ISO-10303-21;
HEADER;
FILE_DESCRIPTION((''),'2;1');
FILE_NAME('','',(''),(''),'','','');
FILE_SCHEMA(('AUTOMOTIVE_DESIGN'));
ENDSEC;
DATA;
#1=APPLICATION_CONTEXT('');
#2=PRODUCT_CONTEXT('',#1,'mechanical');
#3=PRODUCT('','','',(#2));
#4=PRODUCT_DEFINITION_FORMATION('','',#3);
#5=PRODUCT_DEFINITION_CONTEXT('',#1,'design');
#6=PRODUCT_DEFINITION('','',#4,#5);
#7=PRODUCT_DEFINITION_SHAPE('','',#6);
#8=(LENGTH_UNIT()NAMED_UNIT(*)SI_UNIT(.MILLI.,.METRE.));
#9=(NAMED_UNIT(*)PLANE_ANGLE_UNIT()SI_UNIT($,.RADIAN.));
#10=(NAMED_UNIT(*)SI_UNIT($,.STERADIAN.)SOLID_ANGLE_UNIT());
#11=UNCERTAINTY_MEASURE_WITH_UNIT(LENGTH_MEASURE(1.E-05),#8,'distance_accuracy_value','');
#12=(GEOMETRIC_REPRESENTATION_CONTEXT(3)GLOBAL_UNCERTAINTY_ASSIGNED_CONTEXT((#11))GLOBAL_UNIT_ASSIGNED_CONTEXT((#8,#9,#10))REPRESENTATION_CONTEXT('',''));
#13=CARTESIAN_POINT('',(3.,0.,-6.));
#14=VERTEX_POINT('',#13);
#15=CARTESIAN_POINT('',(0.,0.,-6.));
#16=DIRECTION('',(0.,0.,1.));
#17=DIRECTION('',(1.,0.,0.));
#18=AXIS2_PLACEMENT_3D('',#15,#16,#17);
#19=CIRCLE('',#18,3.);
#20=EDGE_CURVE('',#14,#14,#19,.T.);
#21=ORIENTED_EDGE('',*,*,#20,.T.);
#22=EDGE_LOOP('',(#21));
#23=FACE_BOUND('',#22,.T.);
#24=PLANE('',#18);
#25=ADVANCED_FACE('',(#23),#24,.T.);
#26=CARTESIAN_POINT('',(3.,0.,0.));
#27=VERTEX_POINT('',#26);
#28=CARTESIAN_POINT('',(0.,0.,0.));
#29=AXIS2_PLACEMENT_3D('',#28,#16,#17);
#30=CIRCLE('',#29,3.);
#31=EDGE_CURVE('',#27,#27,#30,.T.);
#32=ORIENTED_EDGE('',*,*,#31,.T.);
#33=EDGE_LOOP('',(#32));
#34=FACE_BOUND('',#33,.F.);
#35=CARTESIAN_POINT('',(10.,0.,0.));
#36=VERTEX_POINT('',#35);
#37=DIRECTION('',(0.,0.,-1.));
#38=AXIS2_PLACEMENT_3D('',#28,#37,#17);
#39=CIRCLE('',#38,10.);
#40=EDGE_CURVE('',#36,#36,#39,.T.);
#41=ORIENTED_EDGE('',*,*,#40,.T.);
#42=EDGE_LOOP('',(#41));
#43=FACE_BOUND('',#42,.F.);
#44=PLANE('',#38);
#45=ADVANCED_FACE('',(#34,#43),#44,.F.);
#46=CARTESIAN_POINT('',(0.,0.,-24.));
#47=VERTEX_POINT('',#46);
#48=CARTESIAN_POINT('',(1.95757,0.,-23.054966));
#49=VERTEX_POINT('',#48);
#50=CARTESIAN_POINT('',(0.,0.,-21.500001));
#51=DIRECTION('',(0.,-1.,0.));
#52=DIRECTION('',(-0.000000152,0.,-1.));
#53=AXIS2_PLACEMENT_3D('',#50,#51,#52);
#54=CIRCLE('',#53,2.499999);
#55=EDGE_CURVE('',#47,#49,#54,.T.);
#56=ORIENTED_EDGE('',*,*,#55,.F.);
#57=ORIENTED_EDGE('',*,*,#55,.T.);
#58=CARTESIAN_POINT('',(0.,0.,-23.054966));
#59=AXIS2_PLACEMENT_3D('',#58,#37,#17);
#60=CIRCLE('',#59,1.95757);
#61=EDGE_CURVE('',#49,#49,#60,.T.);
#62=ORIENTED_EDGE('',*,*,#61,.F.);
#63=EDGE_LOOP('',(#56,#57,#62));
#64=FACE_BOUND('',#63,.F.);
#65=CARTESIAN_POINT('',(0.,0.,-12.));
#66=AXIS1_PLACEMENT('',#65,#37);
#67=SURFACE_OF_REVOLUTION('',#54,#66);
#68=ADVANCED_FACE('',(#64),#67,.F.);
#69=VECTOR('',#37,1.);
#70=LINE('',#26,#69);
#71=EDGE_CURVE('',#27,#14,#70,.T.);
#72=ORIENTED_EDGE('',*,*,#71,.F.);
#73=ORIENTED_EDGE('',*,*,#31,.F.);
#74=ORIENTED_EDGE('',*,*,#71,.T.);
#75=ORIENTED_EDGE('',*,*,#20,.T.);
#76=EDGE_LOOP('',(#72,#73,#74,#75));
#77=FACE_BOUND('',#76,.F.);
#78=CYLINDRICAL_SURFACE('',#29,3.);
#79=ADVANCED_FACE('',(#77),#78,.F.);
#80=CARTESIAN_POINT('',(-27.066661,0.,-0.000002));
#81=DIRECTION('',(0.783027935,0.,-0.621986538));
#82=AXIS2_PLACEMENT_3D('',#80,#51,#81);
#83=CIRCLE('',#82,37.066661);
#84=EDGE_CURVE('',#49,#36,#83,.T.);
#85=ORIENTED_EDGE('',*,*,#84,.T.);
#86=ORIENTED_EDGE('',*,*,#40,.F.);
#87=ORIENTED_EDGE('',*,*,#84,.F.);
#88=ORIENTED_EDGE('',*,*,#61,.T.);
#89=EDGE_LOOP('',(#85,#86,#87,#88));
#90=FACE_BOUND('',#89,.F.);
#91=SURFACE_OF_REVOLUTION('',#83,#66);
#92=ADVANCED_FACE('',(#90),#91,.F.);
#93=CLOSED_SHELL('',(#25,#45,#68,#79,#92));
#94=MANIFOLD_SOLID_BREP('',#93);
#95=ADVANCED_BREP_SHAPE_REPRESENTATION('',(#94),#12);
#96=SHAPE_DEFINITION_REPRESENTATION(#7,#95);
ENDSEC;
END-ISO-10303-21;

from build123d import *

# Parameters (mm, degrees)
F2_R     = 3
F3_DEPTH = 6


with BuildPart() as f1:
    # F0 (on Front) → F1 (revolve)
    with BuildSketch(Plane.XZ):
        with BuildLine():
            Line((10, 0), (0, 0))
            Line((0, 0), (0, -24))
            ThreePointArc((0, -24), (1.086873, -23.751379), (1.95757, -23.054966))
            ThreePointArc((1.95757, -23.054966), (7.931687, -12.208728), (10, 0))
        make_face()
    revolve(axis=Axis((0, 0, -12), (0, 0, -1)))

    # F2 (on face) → F3 (cut)
    with BuildSketch(Plane.XY):
        Circle(F2_R)
    extrude(amount=-F3_DEPTH, mode=Mode.SUBTRACT)


solid = f1.part
